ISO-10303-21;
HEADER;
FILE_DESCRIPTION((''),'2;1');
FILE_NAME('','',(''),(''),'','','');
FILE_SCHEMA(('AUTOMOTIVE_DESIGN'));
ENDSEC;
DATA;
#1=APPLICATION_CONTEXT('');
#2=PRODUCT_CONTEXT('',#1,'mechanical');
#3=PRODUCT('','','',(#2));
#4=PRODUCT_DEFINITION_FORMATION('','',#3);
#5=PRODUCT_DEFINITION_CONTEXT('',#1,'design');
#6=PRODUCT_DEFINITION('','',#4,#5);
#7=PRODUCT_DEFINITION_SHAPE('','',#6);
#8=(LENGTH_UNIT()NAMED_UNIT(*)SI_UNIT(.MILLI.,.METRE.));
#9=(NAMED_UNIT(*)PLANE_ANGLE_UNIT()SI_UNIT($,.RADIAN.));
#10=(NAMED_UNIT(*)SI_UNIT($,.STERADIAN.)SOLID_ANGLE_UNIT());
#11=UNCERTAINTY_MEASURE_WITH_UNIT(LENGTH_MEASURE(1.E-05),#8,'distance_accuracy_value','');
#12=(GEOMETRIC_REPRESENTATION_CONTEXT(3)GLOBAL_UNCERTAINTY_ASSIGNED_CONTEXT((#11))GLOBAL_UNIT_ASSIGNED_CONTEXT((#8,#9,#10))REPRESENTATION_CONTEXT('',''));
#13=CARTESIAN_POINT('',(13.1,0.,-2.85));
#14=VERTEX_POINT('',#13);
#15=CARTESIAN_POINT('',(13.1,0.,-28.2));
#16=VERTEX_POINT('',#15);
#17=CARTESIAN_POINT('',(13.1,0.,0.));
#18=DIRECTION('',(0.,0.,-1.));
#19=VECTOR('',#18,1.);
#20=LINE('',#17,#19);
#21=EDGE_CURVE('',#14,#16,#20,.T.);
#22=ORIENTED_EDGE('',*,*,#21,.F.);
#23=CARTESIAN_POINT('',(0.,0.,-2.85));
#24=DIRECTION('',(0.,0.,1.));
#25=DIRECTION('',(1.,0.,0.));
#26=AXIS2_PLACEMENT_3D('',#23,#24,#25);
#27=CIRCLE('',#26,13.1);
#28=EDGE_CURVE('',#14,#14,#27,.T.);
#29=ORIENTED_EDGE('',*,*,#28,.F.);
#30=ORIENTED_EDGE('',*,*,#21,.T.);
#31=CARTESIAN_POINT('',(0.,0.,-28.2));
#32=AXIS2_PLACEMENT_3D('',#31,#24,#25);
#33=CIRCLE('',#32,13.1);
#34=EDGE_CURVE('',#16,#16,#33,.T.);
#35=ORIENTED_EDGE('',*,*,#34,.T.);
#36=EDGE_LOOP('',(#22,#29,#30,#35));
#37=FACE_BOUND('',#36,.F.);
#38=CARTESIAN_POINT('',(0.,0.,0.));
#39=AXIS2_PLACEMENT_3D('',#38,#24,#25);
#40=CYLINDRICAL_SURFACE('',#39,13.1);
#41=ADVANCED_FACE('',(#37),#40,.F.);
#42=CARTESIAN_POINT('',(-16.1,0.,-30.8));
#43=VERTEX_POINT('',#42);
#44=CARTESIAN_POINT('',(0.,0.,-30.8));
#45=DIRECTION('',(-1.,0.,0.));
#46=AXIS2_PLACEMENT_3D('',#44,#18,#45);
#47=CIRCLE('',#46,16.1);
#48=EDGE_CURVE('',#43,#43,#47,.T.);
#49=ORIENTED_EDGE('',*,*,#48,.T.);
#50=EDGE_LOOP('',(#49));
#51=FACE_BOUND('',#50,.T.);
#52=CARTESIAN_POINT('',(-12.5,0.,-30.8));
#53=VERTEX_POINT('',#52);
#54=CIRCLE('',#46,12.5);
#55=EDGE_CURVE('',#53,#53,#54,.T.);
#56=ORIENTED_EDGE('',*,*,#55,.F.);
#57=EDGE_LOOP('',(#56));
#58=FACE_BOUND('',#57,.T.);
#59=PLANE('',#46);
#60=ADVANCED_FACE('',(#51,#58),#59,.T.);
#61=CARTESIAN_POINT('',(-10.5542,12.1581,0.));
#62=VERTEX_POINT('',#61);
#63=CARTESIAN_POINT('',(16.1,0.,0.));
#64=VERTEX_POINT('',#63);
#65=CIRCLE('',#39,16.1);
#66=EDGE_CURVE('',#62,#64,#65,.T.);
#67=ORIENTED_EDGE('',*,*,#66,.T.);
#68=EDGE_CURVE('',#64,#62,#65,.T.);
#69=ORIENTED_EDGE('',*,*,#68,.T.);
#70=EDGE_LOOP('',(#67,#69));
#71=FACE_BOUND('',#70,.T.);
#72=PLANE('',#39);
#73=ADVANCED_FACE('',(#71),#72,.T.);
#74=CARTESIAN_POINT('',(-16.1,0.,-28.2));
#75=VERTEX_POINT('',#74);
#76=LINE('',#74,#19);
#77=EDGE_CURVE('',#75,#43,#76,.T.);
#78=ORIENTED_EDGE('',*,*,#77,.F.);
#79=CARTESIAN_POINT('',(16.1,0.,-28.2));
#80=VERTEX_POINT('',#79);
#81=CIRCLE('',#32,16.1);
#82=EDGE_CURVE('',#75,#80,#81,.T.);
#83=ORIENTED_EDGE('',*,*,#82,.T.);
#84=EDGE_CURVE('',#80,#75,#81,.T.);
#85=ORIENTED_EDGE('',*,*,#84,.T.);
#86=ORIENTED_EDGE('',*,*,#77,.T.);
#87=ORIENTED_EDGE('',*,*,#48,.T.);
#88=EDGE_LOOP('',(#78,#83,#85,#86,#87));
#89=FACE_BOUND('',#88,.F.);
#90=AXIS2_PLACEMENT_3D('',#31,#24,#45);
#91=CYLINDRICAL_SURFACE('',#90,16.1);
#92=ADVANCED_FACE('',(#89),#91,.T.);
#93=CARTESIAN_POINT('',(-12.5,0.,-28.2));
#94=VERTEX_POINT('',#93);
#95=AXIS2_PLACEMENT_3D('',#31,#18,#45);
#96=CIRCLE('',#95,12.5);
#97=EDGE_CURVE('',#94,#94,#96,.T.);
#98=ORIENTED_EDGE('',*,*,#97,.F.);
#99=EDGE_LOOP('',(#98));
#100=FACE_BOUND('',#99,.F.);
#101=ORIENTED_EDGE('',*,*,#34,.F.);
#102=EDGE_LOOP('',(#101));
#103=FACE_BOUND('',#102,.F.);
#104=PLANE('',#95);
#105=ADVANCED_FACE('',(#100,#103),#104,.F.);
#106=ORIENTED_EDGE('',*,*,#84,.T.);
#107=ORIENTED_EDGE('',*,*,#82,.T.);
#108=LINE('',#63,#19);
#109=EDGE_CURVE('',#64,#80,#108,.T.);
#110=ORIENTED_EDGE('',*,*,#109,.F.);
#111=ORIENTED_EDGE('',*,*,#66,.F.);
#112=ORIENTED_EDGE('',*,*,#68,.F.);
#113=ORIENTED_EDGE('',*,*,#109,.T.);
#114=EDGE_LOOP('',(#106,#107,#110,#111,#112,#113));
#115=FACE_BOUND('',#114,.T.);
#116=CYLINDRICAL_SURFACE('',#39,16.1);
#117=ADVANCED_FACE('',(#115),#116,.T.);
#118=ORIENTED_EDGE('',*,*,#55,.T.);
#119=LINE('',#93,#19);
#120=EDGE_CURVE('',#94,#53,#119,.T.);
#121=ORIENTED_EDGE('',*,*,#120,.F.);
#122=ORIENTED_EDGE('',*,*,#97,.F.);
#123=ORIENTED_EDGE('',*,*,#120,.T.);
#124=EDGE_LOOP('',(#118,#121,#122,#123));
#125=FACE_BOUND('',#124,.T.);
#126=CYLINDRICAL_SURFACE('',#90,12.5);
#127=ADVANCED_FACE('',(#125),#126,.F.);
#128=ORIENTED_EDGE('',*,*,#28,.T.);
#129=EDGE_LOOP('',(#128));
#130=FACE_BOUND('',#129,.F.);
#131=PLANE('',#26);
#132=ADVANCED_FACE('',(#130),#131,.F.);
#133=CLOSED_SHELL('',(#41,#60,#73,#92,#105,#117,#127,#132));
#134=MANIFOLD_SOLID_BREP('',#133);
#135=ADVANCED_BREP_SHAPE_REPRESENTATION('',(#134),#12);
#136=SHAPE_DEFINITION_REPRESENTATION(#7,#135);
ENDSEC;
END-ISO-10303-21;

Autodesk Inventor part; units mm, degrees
ref_plane "YZ Plane" through (0, 0, 0) normal (1, 0, 0) x (0, 1, 0)
ref_plane "XZ Plane" through (0, 0, 0) normal (0, 1, 0) x (-1, 0, 0)
ref_plane "XY Plane" through (0, 0, 0) normal (0, 0, 1) x (1, 0, 0)
sketch "Sketch1" plane through (0, 0, 0) normal (0, 0, 1) x (1, 0, 0)
  circle A0 centre (0, 0) radius 13.1 projected
  line L0 (0, 0) -> (-8.5876, 9.8926)
  line L1 (-8.5876, 9.8926) -> (-10.5542, 12.1581)
  circle A1 centre (0, 0) radius 16.1
  point P0 (0, 0)
  dimension "d0" = 3
extrude "Extrusion1" add sketch "Sketch1" against normal blind 28.2
sketch "Sketch2" plane through (0, 0, 0) normal (0, 0, 1) x (1, 0, 0)
  circle A0 centre (0, 0) radius 13.1 projected
  point P0 (0, 0)
extrude "Extrusion2" add sketch "Sketch2" against normal blind 2.85
sketch "Sketch4" plane through (0, 0, -28.2) normal (0, 0, -1) x (-1, 0, 0)
  circle A0 centre (0, 0) radius 16.1 projected
  circle A1 centre (0, 0) radius 13.1 projected
  circle A2 centre (0, 0) radius 12.5
  point P0 (0, 0)
extrude "Extrusion3" add sketch "Sketch4" along normal blind 2.6 contours A0 | A1
properties part number "opona"
